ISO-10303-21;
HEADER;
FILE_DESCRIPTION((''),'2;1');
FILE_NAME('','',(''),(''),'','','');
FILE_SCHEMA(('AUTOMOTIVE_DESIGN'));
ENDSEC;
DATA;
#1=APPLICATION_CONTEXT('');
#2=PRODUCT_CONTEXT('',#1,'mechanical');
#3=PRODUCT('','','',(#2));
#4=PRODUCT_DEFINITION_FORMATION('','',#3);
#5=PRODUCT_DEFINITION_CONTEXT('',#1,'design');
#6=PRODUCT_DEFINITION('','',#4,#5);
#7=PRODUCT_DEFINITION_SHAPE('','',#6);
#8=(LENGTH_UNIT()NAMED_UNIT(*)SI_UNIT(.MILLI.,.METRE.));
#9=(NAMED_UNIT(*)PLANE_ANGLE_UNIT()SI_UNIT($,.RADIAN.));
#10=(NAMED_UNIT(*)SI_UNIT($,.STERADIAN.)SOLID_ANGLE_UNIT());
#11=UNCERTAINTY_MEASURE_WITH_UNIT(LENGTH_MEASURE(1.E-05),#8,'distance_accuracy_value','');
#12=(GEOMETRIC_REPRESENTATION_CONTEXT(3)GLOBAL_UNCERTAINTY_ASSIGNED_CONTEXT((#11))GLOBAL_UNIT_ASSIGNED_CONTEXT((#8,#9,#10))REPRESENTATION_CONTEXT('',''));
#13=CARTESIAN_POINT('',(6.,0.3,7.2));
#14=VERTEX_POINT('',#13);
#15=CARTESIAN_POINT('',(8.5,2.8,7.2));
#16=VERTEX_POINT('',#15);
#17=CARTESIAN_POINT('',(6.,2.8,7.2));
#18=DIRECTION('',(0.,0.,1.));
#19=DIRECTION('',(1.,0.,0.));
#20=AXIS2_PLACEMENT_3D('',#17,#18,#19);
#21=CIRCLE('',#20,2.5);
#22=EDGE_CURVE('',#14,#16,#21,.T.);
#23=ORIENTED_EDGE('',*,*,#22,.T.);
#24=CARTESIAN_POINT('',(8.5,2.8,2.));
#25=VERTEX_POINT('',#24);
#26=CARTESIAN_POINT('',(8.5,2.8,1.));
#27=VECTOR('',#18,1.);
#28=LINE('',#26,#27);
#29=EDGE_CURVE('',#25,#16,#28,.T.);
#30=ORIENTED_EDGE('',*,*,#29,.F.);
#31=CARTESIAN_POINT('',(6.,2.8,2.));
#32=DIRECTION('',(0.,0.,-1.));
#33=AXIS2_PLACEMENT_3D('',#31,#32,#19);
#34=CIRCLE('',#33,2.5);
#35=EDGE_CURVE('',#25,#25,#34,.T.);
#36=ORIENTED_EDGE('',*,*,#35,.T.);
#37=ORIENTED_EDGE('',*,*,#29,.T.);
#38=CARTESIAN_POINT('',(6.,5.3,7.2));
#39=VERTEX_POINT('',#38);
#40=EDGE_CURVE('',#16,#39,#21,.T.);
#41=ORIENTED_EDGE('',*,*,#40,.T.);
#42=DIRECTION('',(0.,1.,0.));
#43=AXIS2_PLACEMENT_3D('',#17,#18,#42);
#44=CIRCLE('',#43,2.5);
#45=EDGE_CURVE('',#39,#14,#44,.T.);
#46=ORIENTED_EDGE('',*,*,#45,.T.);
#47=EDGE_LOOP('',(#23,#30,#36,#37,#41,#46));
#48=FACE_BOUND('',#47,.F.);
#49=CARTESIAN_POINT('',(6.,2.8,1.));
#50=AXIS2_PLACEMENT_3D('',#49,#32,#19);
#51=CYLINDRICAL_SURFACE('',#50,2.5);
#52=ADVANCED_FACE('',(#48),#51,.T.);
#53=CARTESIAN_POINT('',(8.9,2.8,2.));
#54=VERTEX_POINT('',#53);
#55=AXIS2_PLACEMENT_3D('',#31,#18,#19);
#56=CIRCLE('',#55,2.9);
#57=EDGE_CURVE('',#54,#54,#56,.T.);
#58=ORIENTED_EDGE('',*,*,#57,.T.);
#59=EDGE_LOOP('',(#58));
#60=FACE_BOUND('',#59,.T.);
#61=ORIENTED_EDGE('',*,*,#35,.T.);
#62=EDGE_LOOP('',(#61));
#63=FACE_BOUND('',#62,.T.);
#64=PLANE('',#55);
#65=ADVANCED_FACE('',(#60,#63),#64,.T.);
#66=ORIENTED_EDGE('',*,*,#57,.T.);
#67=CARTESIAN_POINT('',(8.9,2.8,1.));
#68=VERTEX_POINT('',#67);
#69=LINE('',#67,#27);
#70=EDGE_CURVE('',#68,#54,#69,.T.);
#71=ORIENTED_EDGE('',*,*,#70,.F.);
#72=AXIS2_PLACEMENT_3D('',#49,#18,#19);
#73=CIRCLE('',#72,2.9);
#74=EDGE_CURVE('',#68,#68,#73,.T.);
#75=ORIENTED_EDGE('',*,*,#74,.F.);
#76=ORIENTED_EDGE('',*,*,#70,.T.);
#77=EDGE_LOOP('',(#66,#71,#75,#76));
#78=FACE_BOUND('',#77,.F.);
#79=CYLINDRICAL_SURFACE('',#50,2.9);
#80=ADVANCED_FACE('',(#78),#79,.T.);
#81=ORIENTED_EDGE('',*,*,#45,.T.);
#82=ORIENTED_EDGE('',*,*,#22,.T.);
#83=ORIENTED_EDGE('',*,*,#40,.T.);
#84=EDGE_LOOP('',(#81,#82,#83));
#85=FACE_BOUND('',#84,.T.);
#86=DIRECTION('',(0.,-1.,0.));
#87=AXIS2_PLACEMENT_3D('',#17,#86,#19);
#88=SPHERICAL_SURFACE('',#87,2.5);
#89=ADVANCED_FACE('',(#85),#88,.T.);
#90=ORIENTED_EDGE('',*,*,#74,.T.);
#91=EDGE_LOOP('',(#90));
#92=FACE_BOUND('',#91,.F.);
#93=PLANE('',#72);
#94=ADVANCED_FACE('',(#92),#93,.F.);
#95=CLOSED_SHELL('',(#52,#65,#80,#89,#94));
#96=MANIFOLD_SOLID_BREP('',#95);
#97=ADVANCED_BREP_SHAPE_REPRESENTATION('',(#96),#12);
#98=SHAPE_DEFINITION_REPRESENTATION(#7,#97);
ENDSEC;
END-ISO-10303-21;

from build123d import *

# Parameters (mm, degrees)
CYLINDER_R        = 2.9
CYLINDER_DEPTH    = 1
SPHERE_ANGLE      = 180
SPHERE_ROLL_ANGLE = 90
CYLINDER001_R     = 2.5
CYLINDER001_DEPTH = 6.2


with BuildPart() as cilindro001:
    # Cylinder → Cylinder (new body)
    with BuildSketch(Plane.XY):
        Circle(CYLINDER_R)
    extrude(amount=CYLINDER_DEPTH)


with BuildPart() as esf_ra:
    # Sphere → Sphere (revolve)
    with BuildSketch(Plane.XZ):
        with BuildLine():
            ThreePointArc((0, -2.5), (2.5, 0), (0, 2.5))
            Line((0, 2.5), (0, -2.5))
        make_face()
    revolve(axis=Axis((0, 0, 0), (0, 0, 1)), revolution_arc=SPHERE_ANGLE)


with BuildPart() as esf_ra_1:
    # Sphere roll: moved
    add(esf_ra.part.rotate(Axis((0, 0, 0), (1, 0, 0)), SPHERE_ROLL_ANGLE))


with BuildPart() as esf_ra_2:
    # Sphere placement: moved
    add(esf_ra_1.part.moved(Location((0, 0, 6.2))))


with BuildPart() as funda:
    # Cylinder001 → Cylinder001 (new body)
    with BuildSketch(Plane.XY):
        Circle(CYLINDER001_R)
    extrude(amount=CYLINDER001_DEPTH)

    # Fusion003: union Cilindro001, Esféra
    add(cilindro001.part)
    add(esf_ra_2.part)


with BuildPart() as funda_1:
    # Fusion003 placement: moved
    add(funda.part.moved(Location((6, 2.8, 1))))


solid = funda_1.part
